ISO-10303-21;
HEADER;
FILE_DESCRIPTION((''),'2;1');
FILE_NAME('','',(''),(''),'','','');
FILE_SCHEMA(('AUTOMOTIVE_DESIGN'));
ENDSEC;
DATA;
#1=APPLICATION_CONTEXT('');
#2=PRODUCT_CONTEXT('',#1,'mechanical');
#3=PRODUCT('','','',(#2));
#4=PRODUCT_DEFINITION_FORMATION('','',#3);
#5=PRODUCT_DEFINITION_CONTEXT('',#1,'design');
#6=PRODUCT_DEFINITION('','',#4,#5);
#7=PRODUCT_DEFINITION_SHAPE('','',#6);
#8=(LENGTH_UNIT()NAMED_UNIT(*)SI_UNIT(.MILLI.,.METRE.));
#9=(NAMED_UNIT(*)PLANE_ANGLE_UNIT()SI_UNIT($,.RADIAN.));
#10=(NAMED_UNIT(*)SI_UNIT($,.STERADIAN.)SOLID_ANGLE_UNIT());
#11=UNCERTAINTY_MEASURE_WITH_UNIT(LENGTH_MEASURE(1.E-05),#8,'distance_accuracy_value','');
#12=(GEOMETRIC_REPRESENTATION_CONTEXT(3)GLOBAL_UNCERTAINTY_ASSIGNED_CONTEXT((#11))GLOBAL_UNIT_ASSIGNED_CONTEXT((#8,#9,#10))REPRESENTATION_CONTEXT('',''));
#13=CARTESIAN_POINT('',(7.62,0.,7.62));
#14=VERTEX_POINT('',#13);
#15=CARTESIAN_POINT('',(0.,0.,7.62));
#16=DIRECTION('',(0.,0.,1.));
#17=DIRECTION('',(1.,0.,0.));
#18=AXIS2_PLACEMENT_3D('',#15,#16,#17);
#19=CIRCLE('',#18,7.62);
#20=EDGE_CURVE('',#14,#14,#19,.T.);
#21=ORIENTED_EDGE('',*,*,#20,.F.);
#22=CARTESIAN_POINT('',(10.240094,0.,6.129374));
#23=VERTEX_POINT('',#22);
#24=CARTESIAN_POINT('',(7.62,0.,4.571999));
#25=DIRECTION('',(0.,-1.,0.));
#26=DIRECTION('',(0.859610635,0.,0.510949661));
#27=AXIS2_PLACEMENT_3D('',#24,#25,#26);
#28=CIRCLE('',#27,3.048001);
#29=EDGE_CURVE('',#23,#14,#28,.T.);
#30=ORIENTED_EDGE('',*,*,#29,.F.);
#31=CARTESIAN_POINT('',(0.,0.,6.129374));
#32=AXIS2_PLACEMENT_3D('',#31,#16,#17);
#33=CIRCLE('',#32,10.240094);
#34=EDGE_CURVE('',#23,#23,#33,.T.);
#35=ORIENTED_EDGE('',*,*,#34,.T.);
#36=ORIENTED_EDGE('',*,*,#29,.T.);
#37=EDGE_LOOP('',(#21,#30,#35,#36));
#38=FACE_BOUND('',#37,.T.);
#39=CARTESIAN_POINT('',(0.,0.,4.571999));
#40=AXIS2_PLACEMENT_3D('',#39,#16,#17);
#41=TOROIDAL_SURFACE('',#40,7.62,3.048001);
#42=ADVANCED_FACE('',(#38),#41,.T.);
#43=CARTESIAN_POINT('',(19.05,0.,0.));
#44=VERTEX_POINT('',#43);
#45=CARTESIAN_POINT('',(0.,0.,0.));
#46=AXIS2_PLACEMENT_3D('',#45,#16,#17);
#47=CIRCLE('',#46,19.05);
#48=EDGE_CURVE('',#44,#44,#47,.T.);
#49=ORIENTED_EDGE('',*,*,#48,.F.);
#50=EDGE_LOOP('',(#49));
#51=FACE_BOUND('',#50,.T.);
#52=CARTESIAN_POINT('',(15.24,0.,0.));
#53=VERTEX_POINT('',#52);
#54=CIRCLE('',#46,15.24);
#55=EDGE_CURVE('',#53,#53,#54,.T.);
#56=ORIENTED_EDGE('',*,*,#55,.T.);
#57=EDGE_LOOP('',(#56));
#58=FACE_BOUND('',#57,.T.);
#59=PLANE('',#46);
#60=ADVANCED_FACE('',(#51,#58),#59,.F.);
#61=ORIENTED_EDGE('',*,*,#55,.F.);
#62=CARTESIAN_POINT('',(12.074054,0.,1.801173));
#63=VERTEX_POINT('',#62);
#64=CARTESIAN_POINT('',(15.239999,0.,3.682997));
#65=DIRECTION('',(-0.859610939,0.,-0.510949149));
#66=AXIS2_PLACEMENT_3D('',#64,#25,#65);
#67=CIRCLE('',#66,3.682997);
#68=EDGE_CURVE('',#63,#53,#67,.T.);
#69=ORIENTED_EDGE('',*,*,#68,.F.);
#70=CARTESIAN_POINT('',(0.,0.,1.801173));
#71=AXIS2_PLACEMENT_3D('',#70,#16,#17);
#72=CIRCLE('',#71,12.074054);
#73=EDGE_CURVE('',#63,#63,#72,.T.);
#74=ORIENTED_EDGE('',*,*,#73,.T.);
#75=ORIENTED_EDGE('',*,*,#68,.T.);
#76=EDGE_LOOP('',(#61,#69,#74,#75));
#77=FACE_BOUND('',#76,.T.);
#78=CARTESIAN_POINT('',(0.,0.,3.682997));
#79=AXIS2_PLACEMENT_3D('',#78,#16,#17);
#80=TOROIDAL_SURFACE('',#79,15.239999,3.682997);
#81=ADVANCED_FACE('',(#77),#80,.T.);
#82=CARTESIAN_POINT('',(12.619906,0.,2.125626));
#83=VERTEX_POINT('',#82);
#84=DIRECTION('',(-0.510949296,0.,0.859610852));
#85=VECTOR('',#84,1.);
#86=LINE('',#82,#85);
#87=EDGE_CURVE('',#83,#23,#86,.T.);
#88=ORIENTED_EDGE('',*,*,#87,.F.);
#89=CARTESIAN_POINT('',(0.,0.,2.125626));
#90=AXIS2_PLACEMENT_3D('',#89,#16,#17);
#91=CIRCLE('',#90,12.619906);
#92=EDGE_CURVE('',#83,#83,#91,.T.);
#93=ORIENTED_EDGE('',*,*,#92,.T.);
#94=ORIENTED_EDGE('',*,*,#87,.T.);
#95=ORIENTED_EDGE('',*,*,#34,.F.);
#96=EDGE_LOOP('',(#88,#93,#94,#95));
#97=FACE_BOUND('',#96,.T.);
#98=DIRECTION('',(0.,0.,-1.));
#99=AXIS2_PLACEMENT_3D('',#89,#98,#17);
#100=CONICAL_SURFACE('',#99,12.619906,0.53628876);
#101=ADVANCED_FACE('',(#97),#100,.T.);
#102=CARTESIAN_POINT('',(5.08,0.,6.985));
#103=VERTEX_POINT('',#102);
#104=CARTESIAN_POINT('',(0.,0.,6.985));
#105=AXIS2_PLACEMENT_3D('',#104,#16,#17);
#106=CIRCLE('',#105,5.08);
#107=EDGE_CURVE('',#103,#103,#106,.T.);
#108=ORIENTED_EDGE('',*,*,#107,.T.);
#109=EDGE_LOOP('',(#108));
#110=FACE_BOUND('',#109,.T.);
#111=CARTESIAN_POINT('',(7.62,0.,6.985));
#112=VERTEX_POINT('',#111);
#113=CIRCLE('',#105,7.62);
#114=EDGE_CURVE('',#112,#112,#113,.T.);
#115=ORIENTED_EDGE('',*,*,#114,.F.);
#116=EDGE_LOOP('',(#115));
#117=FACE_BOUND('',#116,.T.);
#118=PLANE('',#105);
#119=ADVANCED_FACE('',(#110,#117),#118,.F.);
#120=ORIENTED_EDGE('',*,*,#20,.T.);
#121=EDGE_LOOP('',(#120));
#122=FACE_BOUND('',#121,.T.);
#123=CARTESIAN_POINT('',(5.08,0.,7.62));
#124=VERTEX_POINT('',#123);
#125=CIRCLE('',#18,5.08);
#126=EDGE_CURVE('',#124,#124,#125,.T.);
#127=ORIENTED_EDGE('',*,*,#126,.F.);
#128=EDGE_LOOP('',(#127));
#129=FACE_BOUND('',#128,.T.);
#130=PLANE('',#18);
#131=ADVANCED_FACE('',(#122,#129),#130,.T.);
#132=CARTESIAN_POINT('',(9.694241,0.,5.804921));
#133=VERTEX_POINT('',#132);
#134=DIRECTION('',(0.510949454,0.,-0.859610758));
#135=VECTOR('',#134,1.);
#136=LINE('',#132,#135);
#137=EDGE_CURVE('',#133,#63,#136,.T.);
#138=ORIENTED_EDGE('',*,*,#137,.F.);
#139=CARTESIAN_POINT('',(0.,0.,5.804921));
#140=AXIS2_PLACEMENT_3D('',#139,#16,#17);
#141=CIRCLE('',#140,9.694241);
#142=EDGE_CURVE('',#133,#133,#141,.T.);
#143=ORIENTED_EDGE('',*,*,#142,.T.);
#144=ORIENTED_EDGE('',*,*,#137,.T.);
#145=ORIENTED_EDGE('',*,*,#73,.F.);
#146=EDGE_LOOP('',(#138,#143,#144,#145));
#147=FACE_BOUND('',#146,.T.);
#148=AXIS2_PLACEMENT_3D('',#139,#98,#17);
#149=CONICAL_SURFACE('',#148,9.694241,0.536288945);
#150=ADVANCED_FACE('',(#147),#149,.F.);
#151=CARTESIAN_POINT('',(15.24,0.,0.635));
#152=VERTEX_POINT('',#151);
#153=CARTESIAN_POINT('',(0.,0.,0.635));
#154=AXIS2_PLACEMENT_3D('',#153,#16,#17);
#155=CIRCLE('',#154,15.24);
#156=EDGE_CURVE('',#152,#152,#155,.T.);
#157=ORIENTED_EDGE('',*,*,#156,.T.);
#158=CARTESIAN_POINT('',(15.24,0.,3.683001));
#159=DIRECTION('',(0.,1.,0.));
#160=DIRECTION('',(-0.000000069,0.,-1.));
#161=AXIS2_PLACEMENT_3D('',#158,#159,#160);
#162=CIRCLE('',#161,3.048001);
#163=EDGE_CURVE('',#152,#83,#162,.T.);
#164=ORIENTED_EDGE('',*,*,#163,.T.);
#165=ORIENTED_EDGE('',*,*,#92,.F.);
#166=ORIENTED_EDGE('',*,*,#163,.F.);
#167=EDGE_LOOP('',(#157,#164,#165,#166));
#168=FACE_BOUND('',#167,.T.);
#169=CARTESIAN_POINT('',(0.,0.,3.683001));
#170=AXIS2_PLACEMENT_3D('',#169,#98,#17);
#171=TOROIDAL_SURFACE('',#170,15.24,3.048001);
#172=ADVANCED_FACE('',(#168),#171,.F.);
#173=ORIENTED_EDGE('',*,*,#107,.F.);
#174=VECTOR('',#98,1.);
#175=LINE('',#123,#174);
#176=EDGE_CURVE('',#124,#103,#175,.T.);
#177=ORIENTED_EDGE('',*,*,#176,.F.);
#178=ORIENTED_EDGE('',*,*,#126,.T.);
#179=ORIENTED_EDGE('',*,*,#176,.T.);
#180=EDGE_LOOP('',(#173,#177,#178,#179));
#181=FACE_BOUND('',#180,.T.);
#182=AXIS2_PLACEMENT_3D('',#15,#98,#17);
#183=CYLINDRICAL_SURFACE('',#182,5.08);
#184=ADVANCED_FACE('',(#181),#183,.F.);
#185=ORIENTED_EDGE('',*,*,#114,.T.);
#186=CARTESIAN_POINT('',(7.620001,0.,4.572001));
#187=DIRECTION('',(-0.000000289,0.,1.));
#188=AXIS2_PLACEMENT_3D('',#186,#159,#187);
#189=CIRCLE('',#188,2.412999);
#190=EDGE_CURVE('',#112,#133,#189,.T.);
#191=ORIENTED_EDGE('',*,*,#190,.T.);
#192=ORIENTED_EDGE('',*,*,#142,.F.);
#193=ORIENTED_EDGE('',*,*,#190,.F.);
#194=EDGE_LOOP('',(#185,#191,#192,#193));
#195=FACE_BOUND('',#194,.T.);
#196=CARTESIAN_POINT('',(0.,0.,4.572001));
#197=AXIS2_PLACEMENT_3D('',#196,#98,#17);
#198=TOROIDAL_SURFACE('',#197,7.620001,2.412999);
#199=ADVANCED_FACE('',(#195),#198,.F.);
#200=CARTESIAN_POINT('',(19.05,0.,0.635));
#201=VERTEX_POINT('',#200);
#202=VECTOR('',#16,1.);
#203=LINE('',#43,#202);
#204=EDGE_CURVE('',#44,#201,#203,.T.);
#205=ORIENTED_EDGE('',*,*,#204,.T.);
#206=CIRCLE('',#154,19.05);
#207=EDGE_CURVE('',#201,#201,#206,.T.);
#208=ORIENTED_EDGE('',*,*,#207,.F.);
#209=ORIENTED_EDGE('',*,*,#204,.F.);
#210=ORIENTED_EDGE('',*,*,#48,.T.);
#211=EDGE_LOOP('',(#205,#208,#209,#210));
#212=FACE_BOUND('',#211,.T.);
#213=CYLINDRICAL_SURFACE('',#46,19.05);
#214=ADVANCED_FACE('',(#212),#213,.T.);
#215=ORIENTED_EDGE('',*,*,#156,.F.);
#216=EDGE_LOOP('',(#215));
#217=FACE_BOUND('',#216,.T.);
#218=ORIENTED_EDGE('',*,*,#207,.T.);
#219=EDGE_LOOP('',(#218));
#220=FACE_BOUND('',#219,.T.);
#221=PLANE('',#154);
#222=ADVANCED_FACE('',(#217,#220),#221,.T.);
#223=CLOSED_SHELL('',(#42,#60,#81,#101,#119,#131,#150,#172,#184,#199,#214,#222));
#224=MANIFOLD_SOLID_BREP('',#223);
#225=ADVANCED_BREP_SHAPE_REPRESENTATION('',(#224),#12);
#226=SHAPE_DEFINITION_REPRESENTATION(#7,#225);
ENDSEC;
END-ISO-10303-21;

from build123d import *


with BuildPart() as f1:
    # F0 (on Front) → F1 (revolve)
    with BuildSketch(Plane.XZ):
        with BuildLine():
            Line((7.62, 7.62), (5.08, 7.62))
            Line((5.08, 7.62), (5.08, 6.985))
            Line((5.08, 6.985), (7.62, 6.985))
            ThreePointArc((7.62, 6.985), (8.813216, 6.669333), (9.694241, 5.804921))
            Line((9.694241, 5.804921), (12.074054, 1.801173))
            ThreePointArc((12.074054, 1.801173), (13.418775, 0.481808), (15.24, 0))
            Line((15.24, 0), (19.05, 0))
            Line((19.05, 0), (19.05, 0.635))
            Line((19.05, 0.635), (15.24, 0.635))
            ThreePointArc((15.24, 0.635), (13.732779, 1.033738), (12.619906, 2.125626))
            Line((12.619906, 2.125626), (10.240094, 6.129374))
            ThreePointArc((10.240094, 6.129374), (9.127221, 7.221262), (7.62, 7.62))
        make_face()
    revolve(axis=Axis((0, 0, 3.02236), (0, 0, 1)))


solid = f1.part
